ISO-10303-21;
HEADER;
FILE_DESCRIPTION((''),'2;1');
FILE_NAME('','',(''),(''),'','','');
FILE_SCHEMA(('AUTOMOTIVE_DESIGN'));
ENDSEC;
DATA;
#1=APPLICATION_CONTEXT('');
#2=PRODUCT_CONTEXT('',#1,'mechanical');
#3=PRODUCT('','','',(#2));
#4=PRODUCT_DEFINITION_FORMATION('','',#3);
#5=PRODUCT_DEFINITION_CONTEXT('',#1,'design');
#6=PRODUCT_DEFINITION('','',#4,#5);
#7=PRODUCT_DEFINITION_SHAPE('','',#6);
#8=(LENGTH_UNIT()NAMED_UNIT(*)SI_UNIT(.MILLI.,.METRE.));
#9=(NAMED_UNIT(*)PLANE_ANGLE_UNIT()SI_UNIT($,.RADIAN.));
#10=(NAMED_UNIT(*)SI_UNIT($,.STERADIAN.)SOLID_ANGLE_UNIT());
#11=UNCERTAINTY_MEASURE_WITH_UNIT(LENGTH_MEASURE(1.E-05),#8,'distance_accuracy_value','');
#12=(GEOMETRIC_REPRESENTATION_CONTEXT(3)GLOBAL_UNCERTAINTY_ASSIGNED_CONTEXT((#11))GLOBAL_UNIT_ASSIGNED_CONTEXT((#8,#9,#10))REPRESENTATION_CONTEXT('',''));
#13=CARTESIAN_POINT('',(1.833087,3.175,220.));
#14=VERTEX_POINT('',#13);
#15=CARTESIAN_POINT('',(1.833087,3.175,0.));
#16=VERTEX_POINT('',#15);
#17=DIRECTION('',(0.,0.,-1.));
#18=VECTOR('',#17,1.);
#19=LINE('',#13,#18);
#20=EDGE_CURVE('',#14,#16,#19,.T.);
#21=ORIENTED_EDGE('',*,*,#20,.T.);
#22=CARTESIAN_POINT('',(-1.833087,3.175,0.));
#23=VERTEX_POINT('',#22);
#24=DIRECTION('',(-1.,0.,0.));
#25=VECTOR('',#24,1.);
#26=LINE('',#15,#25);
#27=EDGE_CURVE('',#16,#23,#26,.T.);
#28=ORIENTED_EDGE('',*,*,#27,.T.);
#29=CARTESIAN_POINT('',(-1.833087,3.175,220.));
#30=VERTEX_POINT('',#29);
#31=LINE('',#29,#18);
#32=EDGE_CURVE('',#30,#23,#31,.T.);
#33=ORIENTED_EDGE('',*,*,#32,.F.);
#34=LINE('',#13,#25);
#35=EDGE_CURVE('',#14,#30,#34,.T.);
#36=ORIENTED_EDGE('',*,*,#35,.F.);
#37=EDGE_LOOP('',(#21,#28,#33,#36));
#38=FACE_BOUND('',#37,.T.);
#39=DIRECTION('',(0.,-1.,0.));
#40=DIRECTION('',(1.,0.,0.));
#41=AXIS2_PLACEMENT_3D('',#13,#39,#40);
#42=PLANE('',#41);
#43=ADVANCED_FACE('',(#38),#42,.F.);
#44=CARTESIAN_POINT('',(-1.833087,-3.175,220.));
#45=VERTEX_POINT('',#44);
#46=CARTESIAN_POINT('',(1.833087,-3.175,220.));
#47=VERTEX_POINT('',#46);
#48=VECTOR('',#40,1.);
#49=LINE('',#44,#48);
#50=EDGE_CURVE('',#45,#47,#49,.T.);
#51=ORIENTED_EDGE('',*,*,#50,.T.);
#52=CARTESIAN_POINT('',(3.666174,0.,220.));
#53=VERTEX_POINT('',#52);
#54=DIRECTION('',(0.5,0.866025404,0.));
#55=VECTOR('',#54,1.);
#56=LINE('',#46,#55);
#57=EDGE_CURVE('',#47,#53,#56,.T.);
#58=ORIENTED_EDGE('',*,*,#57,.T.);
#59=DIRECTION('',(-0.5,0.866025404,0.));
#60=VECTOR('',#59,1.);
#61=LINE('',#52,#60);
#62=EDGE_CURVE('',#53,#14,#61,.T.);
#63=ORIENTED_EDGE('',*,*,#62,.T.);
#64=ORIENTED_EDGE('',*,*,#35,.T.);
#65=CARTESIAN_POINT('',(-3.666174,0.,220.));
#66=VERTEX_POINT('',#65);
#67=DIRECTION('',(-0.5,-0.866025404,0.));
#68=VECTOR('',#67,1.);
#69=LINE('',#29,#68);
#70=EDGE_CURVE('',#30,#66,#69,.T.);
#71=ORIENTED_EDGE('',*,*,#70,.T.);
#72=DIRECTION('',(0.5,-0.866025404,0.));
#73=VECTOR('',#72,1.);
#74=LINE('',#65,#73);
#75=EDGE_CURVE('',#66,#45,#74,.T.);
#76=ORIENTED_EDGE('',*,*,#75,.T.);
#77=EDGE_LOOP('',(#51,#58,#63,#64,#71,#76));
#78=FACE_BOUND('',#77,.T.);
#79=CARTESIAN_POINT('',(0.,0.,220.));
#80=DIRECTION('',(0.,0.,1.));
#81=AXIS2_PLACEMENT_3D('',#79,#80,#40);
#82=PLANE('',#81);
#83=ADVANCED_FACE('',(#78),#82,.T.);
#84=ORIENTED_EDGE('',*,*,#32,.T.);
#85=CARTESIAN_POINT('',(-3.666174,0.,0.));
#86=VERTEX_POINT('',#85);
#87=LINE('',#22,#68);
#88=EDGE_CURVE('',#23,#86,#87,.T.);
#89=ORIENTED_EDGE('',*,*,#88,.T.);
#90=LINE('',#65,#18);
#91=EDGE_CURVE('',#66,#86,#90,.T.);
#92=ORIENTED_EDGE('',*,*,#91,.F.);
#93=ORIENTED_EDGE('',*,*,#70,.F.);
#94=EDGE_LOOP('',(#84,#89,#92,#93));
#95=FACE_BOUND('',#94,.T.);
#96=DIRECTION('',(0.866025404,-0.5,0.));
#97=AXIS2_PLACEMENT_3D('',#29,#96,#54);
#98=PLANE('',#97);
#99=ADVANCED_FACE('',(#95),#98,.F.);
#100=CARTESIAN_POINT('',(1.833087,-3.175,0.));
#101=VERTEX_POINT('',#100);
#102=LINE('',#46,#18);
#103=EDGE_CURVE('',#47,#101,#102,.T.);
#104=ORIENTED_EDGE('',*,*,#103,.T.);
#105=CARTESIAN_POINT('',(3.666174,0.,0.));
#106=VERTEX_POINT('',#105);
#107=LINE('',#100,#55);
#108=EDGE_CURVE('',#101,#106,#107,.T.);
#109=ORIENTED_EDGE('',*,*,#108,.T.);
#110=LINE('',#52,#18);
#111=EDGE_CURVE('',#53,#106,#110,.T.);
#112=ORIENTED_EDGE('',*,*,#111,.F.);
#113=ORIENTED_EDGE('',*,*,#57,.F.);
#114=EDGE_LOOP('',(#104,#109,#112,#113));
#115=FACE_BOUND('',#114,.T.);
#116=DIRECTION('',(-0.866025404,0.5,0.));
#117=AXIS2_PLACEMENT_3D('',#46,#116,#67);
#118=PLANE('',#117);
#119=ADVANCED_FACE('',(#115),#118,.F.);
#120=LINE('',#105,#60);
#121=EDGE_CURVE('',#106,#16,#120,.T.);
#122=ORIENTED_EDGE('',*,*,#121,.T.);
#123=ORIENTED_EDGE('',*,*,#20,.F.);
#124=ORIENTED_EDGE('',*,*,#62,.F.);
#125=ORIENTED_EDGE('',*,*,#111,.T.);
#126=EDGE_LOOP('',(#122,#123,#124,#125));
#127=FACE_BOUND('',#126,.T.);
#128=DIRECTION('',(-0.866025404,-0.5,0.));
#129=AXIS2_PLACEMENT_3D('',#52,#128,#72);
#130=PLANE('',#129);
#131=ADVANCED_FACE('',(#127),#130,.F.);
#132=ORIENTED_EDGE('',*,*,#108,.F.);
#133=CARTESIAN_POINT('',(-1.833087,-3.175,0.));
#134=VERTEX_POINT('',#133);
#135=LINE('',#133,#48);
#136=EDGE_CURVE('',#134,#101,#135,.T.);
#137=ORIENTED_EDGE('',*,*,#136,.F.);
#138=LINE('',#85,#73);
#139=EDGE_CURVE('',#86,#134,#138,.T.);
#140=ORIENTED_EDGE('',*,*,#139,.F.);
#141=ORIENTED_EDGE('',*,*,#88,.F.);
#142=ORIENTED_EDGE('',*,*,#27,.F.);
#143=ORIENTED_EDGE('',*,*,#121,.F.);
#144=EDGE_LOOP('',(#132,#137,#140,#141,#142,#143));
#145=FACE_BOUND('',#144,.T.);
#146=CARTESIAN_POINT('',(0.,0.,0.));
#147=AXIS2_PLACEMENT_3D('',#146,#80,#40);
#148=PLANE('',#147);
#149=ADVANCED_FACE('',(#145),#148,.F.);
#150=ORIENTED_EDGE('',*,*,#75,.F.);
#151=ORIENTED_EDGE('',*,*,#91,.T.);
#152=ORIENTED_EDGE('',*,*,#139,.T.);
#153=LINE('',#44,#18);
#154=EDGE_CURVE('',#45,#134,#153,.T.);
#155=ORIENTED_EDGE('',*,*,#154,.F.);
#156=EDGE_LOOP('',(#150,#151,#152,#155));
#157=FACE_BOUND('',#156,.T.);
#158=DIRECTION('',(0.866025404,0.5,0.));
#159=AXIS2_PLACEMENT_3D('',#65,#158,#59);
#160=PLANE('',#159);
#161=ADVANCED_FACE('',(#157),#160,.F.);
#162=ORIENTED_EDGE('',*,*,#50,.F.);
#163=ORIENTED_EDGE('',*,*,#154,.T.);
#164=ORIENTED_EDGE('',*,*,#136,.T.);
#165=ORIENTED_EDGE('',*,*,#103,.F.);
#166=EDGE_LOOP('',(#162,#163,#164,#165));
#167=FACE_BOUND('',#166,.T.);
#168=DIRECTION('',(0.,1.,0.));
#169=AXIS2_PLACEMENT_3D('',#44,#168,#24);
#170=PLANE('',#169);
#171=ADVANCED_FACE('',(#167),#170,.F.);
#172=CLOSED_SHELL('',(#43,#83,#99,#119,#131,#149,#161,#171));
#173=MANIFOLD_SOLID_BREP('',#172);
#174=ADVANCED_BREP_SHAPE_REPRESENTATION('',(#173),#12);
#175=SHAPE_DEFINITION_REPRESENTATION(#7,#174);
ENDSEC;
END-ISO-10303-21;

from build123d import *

# Parameters (mm, degrees)
BOSS_EXTRUDE1_DEPTH = 220


with BuildPart() as part:
    # Sketch1 → Boss-Extrude1 (new body)
    with BuildSketch(Plane.XY):
        Polygon((-3.666174209, 0), (-1.833087105, -3.175), (1.833087105, -3.175), (3.666174209, 0), (1.833087105, 3.175), (-1.833087105, 3.175), align=None)
    extrude(amount=BOSS_EXTRUDE1_DEPTH)


solid = part.part
